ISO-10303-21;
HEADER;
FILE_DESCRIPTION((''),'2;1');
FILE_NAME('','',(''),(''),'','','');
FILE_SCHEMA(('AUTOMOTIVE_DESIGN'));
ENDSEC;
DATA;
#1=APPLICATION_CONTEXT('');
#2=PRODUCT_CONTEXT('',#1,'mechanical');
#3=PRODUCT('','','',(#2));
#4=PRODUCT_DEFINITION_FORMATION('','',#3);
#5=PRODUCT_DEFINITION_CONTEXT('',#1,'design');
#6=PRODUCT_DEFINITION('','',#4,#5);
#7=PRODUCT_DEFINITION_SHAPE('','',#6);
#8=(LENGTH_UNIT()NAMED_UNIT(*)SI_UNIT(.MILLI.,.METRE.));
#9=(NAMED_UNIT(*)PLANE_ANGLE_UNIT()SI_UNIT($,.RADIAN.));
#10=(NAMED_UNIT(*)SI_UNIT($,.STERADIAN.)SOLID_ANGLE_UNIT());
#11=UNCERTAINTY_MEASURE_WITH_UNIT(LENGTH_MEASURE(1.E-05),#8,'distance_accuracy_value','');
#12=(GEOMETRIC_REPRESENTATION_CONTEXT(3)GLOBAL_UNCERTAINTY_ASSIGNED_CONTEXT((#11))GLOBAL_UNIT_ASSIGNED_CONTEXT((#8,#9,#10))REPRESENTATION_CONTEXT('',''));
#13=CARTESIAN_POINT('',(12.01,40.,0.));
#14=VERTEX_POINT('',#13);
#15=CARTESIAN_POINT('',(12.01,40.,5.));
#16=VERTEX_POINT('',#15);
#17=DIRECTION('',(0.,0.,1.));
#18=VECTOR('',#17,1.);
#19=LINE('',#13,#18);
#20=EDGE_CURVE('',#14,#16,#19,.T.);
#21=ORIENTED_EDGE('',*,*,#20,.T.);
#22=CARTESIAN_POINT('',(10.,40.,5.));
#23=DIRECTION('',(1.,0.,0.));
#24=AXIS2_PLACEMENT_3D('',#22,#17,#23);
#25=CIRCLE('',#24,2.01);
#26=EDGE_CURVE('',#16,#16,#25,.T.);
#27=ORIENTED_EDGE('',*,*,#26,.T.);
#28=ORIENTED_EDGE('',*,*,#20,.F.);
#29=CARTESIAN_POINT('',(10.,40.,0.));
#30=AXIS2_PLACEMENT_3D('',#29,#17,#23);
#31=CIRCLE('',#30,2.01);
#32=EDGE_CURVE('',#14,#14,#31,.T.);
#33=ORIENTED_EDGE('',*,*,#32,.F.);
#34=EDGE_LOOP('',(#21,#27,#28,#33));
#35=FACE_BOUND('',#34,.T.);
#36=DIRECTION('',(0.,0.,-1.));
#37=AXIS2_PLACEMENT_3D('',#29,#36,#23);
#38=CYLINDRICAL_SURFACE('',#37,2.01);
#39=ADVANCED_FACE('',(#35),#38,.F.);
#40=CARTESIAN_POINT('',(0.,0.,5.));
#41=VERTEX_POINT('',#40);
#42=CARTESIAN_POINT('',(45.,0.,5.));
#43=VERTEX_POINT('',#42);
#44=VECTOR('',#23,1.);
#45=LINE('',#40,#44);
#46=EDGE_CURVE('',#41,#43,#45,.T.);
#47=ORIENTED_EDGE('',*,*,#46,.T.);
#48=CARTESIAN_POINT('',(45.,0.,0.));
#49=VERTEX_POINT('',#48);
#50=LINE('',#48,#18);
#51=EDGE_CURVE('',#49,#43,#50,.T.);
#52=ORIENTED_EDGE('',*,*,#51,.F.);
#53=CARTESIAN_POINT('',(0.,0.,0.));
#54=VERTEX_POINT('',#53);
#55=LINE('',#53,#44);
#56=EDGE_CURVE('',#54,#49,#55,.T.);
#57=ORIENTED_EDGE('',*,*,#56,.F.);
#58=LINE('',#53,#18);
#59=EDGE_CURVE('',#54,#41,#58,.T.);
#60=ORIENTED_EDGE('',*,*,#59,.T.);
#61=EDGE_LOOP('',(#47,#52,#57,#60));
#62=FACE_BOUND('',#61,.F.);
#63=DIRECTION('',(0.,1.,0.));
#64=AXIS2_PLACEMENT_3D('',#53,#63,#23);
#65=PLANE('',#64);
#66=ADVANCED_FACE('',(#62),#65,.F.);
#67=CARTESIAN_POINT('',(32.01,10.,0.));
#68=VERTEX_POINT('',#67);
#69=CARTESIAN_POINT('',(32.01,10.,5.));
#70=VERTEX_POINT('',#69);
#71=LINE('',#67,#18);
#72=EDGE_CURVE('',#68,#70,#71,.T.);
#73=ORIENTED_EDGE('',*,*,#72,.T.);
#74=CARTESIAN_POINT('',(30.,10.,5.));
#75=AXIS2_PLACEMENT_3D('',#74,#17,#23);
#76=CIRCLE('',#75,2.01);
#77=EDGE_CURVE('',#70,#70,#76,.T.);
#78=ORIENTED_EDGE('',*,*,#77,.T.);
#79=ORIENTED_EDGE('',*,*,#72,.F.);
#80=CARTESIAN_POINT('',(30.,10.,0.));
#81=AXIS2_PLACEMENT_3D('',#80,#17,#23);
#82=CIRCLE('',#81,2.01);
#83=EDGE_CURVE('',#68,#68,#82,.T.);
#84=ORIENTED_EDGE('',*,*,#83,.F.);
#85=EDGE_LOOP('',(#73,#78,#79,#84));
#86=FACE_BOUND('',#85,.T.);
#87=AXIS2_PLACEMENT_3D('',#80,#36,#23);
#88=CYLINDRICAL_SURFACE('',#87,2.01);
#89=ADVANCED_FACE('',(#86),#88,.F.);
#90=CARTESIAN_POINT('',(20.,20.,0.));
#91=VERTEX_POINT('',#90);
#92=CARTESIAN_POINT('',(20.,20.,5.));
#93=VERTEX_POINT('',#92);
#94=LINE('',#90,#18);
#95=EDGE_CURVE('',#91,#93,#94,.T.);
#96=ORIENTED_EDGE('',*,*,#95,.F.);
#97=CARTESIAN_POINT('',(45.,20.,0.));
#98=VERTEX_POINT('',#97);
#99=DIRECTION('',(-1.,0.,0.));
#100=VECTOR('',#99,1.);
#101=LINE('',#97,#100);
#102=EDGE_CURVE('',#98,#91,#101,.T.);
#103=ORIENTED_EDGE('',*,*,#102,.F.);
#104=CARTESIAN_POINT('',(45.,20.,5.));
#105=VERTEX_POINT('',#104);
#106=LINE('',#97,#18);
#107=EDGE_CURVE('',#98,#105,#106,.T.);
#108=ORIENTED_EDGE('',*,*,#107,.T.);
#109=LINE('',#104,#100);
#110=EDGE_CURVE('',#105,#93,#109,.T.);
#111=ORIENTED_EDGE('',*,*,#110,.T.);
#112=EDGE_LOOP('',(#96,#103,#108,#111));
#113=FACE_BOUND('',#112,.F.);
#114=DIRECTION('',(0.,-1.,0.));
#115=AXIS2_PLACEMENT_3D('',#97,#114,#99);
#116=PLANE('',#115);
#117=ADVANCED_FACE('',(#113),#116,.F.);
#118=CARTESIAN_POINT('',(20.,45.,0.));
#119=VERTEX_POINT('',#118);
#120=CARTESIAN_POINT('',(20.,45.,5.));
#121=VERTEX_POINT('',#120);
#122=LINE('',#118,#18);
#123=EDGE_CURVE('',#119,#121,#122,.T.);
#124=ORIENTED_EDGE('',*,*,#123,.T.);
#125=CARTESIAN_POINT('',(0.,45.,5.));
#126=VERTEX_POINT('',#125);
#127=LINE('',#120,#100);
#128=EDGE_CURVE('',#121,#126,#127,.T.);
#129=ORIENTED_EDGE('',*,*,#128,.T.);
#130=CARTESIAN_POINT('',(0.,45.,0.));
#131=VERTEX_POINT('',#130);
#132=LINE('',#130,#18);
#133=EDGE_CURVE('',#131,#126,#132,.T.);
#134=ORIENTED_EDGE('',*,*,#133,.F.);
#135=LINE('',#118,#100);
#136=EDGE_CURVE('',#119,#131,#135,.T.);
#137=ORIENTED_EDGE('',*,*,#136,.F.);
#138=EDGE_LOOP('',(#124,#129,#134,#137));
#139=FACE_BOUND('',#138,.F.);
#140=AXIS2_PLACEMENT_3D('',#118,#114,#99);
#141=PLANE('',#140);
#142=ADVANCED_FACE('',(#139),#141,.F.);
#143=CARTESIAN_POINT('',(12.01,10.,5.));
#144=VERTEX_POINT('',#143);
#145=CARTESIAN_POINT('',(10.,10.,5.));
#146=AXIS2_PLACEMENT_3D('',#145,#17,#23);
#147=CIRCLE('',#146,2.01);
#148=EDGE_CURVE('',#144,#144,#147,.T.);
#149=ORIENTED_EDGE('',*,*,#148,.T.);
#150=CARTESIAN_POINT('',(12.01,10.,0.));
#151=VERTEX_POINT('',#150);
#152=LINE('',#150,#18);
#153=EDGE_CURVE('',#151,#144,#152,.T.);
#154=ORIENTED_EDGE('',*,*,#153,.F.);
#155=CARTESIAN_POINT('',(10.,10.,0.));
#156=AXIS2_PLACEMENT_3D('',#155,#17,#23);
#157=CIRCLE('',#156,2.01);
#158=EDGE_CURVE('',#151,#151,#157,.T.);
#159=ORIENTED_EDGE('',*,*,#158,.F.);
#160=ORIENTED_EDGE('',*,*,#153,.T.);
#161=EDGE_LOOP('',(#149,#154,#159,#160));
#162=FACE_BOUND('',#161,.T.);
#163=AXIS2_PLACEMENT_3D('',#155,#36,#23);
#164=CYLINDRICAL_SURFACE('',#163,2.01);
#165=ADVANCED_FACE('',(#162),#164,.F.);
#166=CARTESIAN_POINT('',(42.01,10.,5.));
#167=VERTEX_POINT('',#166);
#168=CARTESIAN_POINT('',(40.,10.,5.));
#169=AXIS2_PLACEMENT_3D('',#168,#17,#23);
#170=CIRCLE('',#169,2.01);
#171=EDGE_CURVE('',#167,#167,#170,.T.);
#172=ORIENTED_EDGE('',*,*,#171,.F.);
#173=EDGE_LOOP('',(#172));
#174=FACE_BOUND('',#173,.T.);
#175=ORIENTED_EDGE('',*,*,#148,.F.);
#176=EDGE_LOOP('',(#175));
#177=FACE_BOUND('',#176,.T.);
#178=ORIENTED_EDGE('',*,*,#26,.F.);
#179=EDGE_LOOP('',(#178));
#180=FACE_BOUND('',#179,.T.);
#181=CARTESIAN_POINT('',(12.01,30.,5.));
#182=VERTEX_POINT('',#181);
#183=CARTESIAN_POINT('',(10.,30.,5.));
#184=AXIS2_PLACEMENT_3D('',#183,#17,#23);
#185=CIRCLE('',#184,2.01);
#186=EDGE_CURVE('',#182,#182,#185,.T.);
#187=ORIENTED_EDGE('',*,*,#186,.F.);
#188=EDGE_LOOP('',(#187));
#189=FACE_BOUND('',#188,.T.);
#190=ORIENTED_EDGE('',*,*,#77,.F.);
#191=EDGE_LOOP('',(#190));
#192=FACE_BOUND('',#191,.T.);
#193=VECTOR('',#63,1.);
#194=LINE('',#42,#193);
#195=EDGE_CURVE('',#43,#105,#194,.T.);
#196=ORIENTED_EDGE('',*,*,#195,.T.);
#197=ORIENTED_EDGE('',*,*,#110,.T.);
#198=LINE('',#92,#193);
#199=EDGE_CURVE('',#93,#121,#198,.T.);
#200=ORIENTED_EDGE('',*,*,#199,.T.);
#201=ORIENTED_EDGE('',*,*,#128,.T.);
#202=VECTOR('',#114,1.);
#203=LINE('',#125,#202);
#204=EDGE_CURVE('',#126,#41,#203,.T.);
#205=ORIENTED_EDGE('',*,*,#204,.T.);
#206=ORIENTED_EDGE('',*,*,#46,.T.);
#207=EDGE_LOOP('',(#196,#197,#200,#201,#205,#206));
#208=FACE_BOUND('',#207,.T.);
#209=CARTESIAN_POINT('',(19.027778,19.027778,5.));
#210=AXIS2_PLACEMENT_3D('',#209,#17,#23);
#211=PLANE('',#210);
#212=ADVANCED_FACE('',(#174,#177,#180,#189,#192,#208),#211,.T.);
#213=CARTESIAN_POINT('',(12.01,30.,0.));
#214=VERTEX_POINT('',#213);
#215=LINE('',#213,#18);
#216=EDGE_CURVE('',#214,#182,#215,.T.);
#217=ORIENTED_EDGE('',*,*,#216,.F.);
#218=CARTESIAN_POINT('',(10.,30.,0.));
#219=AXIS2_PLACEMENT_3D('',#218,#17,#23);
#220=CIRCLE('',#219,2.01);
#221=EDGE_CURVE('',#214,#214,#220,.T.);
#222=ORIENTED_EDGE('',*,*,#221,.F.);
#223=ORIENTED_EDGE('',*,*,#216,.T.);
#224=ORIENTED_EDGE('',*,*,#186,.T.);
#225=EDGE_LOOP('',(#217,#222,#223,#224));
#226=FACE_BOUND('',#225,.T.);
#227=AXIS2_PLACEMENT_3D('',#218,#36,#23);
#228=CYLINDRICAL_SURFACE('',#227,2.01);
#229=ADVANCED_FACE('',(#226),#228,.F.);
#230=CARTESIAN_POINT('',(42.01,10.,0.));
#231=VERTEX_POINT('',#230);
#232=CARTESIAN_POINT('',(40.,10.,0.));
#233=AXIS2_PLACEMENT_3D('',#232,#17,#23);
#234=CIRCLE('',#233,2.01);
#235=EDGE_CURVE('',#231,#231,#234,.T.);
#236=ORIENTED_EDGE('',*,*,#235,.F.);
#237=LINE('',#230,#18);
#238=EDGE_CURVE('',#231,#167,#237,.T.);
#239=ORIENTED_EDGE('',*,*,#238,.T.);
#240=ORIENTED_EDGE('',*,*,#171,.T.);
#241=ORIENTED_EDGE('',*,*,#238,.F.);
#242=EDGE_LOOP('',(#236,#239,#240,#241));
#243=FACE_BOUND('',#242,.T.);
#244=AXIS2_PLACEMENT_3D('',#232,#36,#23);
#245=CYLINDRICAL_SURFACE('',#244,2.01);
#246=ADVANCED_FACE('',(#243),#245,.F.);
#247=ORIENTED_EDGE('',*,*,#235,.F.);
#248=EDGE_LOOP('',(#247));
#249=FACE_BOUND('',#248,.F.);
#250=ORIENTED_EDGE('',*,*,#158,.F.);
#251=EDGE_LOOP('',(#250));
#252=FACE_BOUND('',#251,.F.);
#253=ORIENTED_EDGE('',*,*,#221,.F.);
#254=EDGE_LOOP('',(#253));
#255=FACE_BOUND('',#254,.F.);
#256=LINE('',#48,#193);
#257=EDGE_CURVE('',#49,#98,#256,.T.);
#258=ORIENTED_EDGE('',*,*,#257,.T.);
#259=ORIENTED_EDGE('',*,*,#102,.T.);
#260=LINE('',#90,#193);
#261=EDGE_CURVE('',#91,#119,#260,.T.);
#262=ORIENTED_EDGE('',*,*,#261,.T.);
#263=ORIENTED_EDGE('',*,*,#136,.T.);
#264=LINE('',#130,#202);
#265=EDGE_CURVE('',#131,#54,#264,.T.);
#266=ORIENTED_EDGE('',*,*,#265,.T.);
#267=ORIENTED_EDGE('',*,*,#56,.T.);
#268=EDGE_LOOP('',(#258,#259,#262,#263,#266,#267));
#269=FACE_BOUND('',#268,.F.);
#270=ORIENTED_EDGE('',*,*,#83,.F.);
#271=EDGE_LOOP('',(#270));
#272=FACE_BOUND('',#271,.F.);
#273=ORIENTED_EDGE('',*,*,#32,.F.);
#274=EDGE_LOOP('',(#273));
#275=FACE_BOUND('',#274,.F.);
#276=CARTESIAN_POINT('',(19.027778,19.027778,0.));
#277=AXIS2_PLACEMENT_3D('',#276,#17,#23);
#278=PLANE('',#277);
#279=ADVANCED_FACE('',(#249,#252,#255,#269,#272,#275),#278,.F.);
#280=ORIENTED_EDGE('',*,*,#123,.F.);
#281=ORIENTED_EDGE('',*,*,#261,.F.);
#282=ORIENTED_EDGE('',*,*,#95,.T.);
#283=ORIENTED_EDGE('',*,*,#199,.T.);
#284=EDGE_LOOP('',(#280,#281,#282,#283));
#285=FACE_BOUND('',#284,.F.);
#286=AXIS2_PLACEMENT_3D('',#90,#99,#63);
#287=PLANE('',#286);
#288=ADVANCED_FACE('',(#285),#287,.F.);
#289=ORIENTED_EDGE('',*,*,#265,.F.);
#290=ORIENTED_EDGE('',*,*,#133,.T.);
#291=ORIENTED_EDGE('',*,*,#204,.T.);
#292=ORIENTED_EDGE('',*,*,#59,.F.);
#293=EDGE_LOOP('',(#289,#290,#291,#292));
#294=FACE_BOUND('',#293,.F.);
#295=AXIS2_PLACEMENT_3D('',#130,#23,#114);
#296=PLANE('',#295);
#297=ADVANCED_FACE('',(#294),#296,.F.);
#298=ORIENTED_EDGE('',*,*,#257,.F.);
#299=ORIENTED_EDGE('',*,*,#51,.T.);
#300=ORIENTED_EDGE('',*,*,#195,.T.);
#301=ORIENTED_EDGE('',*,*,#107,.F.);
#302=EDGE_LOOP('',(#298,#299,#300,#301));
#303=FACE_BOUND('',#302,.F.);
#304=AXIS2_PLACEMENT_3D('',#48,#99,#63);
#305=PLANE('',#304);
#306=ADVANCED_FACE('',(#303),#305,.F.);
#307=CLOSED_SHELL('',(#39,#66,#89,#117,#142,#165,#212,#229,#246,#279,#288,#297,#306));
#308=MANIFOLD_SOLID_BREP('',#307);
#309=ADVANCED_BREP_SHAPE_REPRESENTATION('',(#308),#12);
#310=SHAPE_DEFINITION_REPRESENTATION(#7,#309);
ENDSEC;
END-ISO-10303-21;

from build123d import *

# Parameters (mm, degrees)
F0_R     = 2.01
F1_DEPTH = 5


with BuildPart() as f1:
    # F0 (on Top) → F1 (new body)
    with BuildSketch(Plane.XY):
        Polygon((0, 45), (0, 0), (45, 0), (45, 20), (20, 20), (20, 45), align=None)
        with Locations((10, 10)):
            Circle(F0_R, mode=Mode.SUBTRACT)
        with Locations((30, 10)):
            Circle(F0_R, mode=Mode.SUBTRACT)
        with Locations((40, 10)):
            Circle(F0_R, mode=Mode.SUBTRACT)
        with Locations((10, 30)):
            Circle(F0_R, mode=Mode.SUBTRACT)
        with Locations((10, 40)):
            Circle(F0_R, mode=Mode.SUBTRACT)
    extrude(amount=F1_DEPTH)


solid = f1.part
